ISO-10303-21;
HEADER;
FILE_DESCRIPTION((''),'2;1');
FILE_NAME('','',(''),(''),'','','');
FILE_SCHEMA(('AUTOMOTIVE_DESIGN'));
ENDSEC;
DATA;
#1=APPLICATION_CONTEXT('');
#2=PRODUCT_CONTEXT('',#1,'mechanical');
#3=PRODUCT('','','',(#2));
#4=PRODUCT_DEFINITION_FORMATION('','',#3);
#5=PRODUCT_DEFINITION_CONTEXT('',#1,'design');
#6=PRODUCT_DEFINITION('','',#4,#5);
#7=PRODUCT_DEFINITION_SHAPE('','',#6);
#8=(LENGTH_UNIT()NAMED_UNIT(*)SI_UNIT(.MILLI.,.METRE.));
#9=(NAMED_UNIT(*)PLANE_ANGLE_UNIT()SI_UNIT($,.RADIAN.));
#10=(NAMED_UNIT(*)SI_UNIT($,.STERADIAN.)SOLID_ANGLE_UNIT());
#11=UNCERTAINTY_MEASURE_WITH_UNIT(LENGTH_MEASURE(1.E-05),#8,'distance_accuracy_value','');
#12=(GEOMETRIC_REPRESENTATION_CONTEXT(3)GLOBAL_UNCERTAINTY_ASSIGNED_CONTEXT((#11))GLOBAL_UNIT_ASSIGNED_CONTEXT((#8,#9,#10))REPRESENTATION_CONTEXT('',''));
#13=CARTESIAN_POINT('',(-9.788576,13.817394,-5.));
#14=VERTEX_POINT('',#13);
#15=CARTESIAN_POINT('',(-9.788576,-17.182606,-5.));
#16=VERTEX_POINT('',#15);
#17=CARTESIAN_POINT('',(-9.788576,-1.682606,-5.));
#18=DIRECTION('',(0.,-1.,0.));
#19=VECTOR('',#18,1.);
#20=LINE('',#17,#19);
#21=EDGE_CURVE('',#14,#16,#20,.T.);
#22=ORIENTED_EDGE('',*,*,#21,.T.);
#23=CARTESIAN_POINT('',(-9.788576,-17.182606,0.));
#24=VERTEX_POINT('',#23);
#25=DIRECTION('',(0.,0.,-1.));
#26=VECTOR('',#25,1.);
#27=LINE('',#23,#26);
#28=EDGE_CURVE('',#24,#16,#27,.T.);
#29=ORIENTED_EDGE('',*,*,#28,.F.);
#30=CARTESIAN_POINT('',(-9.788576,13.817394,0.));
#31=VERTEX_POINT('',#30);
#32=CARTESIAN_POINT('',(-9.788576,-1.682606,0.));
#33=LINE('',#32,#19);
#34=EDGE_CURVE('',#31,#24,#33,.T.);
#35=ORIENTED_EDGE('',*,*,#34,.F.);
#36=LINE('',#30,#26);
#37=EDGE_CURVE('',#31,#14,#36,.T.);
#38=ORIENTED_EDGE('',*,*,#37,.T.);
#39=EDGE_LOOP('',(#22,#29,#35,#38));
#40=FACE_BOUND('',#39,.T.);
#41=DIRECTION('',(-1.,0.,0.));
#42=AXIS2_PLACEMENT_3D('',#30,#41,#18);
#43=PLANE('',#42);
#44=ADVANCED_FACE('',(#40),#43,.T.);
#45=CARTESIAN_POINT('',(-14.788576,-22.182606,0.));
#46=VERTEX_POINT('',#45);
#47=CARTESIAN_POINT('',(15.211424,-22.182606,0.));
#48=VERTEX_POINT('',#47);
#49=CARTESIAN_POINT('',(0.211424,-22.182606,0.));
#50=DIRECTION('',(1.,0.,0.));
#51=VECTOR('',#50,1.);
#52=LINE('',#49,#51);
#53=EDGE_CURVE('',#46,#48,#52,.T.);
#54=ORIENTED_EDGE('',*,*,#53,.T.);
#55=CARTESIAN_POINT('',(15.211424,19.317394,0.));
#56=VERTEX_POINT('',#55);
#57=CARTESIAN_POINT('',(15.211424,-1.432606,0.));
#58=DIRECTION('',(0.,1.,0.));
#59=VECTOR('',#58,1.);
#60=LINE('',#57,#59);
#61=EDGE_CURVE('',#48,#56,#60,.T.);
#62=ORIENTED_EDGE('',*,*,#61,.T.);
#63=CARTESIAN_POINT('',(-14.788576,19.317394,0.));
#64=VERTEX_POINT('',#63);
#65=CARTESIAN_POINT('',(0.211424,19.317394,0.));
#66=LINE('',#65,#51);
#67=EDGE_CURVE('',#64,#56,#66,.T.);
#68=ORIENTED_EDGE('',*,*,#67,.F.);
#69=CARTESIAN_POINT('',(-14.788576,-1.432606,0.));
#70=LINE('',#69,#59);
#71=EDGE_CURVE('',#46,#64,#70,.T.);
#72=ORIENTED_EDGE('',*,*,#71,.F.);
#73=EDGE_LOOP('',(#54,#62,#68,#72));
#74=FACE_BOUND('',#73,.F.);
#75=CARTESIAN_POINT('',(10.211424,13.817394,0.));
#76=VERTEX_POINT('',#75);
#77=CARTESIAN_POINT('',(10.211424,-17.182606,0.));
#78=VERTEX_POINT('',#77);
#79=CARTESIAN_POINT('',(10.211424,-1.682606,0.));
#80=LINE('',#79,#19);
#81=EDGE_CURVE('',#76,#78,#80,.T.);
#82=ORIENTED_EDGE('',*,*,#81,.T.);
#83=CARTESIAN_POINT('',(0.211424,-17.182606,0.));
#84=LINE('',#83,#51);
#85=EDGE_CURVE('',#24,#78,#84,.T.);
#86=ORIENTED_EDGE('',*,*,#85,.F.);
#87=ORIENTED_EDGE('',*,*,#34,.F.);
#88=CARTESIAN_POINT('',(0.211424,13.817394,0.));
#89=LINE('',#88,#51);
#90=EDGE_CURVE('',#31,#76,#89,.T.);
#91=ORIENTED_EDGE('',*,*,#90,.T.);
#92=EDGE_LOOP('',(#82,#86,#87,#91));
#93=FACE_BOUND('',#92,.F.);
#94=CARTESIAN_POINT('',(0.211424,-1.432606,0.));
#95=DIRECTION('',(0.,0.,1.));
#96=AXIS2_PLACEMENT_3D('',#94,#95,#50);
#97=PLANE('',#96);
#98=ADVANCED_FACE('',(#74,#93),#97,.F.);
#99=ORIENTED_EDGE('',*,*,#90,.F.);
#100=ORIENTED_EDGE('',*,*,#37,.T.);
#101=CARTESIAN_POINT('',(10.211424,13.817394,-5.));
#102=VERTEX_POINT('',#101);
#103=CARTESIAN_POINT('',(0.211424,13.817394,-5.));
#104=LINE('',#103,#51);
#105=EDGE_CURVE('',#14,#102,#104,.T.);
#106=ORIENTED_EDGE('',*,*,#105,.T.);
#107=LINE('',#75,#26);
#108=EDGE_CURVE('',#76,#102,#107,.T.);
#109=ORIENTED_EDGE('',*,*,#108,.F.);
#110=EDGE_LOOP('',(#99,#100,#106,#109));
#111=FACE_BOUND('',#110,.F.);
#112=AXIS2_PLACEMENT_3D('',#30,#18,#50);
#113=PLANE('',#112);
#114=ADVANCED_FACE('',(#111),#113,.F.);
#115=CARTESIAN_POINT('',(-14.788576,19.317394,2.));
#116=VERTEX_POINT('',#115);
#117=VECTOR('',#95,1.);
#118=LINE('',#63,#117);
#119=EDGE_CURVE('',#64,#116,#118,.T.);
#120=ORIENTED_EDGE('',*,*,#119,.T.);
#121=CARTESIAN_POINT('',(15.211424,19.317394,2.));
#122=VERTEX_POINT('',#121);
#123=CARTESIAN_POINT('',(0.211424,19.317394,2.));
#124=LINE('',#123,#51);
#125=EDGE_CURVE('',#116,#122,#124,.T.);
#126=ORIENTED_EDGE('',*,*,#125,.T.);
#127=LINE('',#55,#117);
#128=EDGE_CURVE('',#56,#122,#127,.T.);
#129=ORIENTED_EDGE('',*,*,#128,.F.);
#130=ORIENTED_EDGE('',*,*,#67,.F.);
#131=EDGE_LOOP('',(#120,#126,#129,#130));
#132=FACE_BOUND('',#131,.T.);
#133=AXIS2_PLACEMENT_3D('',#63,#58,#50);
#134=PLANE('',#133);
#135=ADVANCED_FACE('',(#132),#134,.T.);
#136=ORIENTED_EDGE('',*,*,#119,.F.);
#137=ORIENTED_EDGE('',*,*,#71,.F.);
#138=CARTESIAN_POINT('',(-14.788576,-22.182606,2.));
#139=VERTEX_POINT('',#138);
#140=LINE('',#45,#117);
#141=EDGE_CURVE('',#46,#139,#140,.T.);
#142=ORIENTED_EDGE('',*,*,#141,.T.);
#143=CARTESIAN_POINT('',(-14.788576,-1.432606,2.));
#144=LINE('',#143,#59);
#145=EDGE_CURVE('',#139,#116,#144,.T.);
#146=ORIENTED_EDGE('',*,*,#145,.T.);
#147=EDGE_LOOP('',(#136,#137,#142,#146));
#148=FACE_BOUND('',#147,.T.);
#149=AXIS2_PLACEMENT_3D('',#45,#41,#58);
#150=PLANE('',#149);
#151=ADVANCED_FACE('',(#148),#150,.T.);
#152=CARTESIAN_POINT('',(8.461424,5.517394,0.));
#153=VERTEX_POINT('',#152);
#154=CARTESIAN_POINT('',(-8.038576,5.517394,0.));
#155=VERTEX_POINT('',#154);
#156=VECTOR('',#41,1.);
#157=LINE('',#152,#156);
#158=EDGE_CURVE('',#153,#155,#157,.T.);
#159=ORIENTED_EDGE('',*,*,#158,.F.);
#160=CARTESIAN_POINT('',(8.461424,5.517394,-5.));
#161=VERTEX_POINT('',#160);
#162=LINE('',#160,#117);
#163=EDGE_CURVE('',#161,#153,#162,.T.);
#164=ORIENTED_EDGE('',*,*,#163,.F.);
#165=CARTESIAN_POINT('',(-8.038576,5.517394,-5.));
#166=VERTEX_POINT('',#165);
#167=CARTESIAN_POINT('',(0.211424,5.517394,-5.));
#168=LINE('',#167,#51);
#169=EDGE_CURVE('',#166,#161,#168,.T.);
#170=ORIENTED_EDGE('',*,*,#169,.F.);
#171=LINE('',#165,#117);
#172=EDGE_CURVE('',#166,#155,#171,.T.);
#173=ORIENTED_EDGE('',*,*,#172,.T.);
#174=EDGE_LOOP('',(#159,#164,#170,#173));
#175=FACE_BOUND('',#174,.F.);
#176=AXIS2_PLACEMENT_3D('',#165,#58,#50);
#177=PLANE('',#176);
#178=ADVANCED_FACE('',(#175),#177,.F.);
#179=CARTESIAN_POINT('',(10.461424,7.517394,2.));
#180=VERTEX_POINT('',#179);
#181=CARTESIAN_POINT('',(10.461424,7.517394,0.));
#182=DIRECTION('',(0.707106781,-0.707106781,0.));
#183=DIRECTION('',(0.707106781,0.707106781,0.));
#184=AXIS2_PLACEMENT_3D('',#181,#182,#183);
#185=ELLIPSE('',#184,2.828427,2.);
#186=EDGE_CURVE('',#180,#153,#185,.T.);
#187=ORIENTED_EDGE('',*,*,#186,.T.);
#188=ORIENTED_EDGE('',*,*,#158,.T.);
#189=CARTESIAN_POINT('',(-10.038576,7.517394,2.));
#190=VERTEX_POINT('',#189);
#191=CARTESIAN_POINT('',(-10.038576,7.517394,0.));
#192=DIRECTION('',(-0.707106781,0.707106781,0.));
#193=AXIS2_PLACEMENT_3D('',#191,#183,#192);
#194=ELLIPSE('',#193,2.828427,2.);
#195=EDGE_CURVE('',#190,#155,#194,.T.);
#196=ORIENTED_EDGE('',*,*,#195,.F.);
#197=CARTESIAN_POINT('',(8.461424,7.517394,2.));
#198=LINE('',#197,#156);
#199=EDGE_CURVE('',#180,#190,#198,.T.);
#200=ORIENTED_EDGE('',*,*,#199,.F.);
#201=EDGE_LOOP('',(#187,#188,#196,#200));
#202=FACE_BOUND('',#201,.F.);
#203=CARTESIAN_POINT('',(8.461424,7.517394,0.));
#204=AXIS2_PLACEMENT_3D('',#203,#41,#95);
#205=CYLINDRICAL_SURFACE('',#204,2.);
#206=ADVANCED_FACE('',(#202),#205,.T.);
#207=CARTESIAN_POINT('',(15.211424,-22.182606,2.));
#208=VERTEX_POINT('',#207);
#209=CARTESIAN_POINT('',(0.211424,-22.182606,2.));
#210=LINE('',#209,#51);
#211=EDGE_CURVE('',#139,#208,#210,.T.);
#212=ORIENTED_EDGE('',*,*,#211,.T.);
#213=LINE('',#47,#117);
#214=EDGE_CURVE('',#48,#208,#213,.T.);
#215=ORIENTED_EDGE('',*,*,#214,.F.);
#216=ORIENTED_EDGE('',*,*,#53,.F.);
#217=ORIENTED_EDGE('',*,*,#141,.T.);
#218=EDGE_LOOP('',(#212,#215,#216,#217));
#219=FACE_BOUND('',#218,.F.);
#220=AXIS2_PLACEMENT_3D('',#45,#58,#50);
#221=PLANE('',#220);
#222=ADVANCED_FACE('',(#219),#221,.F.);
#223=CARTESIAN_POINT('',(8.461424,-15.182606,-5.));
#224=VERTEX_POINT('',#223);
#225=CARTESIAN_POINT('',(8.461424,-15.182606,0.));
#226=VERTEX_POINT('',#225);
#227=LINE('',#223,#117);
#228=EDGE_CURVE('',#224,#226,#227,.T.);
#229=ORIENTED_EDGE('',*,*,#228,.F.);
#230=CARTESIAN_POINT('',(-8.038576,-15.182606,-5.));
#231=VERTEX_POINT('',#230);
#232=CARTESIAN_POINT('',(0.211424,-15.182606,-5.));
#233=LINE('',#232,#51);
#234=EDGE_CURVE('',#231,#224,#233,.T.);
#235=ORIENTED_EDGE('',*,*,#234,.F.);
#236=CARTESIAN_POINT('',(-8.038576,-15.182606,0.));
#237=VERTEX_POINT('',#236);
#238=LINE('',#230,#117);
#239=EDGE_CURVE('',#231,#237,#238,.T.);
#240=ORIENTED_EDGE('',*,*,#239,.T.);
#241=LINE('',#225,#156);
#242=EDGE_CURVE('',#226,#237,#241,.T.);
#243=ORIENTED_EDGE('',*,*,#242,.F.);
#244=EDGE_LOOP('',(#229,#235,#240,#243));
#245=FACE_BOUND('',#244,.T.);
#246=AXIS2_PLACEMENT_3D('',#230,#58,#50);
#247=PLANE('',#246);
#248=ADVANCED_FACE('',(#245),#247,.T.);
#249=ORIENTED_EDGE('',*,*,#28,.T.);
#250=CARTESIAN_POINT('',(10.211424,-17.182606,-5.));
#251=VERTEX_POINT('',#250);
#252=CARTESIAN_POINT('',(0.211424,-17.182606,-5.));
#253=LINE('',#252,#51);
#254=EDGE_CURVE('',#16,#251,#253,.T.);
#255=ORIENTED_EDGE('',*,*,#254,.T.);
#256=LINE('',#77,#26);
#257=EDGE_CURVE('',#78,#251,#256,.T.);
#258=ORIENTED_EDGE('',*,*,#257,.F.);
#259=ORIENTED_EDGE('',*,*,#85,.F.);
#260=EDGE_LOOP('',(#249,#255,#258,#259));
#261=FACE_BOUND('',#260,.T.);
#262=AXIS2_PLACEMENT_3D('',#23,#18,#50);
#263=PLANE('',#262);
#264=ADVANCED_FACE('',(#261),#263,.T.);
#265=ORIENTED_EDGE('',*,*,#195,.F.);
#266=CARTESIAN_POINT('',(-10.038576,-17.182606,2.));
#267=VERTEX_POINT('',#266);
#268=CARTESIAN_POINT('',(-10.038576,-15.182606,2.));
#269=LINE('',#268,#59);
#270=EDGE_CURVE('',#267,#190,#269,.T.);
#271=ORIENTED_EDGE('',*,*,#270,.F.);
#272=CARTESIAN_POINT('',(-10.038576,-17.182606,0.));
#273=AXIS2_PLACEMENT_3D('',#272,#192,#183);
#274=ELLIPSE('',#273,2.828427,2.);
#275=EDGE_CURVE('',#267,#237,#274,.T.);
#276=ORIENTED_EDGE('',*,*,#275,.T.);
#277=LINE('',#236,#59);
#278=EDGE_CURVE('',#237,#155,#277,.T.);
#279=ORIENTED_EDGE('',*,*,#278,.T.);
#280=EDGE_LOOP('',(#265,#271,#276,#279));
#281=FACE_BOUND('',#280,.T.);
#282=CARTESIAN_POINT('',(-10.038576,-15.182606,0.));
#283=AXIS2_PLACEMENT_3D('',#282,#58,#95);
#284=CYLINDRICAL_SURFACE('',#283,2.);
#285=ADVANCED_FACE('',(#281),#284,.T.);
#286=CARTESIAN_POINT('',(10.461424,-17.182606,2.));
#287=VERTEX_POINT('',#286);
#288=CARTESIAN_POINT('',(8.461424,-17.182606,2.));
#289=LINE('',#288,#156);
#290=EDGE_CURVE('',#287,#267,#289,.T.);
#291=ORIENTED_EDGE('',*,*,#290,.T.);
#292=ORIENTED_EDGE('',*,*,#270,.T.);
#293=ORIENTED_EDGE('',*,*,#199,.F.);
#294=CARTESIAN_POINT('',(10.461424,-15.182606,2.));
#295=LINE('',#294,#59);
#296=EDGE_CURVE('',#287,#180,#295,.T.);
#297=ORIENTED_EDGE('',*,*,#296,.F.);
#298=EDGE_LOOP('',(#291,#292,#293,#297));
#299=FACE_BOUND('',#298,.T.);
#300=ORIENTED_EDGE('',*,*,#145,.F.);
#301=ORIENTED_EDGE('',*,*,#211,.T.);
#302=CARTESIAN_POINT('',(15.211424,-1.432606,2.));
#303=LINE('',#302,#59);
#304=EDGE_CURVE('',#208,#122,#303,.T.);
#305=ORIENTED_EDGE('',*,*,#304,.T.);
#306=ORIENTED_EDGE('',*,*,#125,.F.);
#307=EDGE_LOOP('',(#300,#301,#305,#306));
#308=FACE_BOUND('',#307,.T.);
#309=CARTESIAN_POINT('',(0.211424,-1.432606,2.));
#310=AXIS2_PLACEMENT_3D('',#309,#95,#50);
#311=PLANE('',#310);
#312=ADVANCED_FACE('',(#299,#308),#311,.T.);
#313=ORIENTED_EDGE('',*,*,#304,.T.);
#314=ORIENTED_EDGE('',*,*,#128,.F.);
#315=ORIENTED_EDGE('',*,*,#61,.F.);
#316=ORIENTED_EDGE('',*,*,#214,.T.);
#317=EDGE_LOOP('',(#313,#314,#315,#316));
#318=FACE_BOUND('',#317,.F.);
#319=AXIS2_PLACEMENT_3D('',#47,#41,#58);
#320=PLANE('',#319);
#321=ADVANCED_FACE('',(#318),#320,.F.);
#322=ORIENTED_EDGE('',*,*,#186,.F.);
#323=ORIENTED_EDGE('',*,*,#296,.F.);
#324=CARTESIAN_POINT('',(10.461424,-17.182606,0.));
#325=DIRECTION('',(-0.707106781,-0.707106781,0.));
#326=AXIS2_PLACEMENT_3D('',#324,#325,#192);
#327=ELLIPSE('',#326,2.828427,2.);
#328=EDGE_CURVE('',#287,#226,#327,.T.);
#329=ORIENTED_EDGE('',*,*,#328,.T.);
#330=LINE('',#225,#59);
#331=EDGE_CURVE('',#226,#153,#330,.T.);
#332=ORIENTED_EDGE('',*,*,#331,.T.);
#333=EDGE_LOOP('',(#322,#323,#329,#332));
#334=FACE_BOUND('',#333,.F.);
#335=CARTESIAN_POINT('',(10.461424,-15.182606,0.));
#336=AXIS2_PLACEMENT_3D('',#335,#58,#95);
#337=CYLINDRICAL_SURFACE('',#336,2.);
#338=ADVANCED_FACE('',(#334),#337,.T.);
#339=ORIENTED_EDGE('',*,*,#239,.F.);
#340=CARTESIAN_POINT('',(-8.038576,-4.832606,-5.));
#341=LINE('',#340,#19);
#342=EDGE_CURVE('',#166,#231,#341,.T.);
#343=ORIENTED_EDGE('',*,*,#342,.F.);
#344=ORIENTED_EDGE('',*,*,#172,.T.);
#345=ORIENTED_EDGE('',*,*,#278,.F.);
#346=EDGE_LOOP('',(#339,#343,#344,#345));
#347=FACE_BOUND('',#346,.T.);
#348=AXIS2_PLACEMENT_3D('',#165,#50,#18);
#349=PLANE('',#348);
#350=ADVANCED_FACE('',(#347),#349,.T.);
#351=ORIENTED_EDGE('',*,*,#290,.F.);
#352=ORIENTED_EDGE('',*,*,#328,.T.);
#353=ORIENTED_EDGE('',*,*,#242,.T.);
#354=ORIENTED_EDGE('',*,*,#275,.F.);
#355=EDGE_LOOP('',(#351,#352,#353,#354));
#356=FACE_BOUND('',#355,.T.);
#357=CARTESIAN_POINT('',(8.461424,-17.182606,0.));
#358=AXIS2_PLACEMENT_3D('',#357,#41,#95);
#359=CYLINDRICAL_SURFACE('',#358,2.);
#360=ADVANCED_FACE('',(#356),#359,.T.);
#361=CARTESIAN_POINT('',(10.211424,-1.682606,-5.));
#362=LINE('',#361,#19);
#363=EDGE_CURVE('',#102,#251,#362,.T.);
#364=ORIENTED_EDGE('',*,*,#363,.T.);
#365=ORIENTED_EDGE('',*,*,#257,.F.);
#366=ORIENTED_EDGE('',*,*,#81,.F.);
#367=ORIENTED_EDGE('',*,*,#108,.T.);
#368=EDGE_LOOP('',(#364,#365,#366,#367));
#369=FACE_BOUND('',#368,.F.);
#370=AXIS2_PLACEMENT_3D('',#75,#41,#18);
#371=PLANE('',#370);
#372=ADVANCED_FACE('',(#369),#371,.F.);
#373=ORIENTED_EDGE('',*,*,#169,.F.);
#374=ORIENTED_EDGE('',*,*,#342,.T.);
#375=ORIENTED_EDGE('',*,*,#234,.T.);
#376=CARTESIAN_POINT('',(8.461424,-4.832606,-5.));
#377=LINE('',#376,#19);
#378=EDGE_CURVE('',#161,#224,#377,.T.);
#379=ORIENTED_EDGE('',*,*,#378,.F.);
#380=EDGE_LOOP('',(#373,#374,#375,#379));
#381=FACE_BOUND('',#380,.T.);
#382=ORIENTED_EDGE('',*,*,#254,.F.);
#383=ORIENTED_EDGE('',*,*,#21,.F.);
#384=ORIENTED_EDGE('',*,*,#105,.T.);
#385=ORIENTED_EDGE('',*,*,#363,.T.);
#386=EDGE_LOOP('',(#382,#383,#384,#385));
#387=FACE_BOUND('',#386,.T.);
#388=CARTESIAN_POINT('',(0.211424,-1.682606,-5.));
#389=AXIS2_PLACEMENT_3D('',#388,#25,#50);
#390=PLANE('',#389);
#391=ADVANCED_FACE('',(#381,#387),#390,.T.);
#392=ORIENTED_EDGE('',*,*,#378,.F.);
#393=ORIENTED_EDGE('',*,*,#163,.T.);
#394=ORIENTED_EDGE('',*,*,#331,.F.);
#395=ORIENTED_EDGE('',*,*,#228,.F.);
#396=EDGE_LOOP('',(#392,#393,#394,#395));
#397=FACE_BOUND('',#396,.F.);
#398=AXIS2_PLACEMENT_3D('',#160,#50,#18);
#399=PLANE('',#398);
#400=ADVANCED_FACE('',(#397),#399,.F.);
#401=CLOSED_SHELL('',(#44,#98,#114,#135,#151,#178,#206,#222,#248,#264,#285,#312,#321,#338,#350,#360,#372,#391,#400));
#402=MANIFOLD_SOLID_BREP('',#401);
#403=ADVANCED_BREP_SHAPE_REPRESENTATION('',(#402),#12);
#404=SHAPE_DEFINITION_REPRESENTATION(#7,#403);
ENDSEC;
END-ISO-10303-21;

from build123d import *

# Parameters (mm, degrees)
F0_W     = 30
F0_H     = 41.5
F1_DEPTH = 2
F2_W     = 20
F2_H     = 31
F3_DEPTH = 5
F4_W     = 16.5
F4_H     = 20.7
F5_DEPTH = 25
F6_R     = 2


with BuildPart() as f1:
    # F0 (on Top) → F1 (new body)
    with BuildSketch(Plane.XY):
        with Locations((0.211424, -1.432606)):
            Rectangle(F0_W, F0_H)
    extrude(amount=F1_DEPTH)

    # F2 (on face) → F3 (join)
    with BuildSketch(Plane(origin=(0, 0, 0), x_dir=(1, 0, 0), z_dir=(0, 0, -1))):
        with Locations((0.211424, 1.682606)):
            Rectangle(F2_W, F2_H)
    extrude(amount=F3_DEPTH)

    # F4 (on face) → F5 (cut)
    with BuildSketch(Plane(origin=(0, 0, -5), x_dir=(1, 0, 0), z_dir=(0, 0, -1))):
        with Locations((0.211424, 4.832606)):
            Rectangle(F4_W, F4_H)
    extrude(amount=-F5_DEPTH, mode=Mode.SUBTRACT)

    # F6
    f6_edges = [f1.edges().sort_by_distance(p)[0] for p in [
        (8.461424, -4.832606, 2),
        (0.211424, 5.517394, 2),
        (-8.038576, -4.832606, 2),
        (0.211424, -15.182606, 2),
    ]]
    fillet(f6_edges, radius=F6_R)


solid = f1.part
